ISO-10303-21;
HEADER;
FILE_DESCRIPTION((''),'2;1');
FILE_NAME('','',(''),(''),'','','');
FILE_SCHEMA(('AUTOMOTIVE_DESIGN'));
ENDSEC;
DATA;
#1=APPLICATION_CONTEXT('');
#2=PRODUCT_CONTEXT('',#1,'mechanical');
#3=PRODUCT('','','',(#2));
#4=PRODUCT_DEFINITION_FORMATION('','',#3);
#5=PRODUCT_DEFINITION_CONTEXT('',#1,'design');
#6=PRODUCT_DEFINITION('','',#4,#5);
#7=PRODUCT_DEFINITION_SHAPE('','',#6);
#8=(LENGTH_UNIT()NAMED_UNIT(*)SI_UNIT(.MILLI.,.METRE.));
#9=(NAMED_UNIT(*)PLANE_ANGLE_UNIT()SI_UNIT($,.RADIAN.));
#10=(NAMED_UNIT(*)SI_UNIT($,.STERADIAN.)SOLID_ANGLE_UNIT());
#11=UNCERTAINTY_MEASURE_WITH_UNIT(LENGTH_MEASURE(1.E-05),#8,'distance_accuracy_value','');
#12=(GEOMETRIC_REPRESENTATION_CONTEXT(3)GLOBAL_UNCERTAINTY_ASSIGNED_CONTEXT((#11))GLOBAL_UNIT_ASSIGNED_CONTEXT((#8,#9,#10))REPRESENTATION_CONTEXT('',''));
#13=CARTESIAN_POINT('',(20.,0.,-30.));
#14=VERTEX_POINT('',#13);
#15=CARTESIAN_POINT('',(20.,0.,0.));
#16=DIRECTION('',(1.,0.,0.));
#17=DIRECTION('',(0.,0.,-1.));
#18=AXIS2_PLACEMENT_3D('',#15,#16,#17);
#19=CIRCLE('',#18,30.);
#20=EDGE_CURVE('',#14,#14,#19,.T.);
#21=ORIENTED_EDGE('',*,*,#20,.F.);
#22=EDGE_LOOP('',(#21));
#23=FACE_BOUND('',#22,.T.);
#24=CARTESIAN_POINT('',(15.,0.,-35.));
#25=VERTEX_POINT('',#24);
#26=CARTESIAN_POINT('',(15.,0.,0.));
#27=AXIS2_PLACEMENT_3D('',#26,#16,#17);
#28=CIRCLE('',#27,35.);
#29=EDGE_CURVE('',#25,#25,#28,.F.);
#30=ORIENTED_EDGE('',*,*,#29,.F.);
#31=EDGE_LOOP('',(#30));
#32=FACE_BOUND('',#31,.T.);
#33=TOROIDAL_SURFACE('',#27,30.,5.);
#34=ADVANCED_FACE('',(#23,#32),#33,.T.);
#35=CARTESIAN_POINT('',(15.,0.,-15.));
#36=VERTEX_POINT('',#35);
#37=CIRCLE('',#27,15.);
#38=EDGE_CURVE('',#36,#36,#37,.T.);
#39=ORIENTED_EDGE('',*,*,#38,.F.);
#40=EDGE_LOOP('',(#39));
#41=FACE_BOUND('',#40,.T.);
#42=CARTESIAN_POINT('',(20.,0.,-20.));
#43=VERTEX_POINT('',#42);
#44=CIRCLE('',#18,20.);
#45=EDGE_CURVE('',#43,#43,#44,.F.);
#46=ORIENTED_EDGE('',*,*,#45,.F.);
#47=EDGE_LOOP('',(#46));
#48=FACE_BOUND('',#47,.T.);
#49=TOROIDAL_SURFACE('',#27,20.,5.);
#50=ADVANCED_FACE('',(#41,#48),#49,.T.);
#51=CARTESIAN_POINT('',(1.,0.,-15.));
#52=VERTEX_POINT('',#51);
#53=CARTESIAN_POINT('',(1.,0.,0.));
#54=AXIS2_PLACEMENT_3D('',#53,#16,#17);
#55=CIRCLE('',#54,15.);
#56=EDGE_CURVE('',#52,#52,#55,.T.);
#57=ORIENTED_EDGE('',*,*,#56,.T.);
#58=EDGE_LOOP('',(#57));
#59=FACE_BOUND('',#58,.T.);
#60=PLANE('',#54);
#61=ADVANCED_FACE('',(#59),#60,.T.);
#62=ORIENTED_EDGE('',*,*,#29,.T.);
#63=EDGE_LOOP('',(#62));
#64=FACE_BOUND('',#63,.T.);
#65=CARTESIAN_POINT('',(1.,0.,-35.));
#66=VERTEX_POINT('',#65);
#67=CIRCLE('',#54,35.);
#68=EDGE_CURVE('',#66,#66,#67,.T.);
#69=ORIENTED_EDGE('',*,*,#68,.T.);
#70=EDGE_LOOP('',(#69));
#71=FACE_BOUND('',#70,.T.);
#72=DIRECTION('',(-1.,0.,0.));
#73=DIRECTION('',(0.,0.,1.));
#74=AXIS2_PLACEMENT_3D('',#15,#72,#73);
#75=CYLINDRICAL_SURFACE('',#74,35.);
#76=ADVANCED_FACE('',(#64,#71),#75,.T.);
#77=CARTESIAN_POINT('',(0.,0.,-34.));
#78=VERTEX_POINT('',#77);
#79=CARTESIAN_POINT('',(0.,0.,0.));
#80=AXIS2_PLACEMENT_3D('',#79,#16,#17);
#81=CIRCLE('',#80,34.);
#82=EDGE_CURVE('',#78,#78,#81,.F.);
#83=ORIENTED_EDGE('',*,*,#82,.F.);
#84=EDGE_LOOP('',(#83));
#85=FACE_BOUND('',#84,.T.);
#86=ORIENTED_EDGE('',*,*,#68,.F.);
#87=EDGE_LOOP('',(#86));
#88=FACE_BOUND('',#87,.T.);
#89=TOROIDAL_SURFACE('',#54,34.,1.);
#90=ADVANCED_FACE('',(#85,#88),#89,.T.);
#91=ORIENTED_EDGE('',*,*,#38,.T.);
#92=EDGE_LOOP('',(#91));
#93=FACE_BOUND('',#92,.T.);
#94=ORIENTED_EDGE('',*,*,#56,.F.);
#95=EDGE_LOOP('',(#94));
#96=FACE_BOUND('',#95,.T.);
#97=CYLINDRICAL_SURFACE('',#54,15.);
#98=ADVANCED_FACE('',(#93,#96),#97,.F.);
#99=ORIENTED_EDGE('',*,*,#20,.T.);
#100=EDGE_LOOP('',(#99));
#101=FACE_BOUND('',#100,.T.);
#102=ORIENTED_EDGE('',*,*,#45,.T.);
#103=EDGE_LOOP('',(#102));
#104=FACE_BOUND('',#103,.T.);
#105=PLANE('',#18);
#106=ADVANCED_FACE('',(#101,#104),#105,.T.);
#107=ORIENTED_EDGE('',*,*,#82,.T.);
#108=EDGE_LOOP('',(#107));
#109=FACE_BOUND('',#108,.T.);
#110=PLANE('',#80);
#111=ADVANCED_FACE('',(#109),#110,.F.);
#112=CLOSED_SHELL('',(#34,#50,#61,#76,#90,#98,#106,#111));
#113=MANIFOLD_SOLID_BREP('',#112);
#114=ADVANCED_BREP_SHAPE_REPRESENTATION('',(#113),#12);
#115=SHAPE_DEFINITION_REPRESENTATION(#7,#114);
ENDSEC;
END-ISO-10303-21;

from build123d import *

# Parameters (mm, degrees)
SKETCH1_R           = 35
BOSS_EXTRUDE1_DEPTH = 20
SKETCH2_R           = 15
CUT_EXTRUDE1_DEPTH  = 19
FILLET1_R           = 5
FILLET2_R           = 1


with BuildPart() as part:
    # Sketch1 → Boss-Extrude1 (new body)
    with BuildSketch(Plane(origin=(0, 0, 0), x_dir=(0, 0, -1), z_dir=(1, 0, 0))):
        Circle(SKETCH1_R)
    extrude(amount=BOSS_EXTRUDE1_DEPTH)

    # Sketch2 → Cut-Extrude1 (cut)
    with BuildSketch(Plane(origin=(20, 0, 0), x_dir=(0, 0, -1), z_dir=(1, 0, 0))):
        Circle(SKETCH2_R)
    extrude(amount=-CUT_EXTRUDE1_DEPTH, mode=Mode.SUBTRACT)

    # Fillet1
    fillet1_edges = [part.edges().sort_by_distance(p)[0] for p in [
        (20, 0, 35),
        (20, 0, 15),
    ]]
    fillet(fillet1_edges, radius=FILLET1_R)

    # Fillet2
    fillet2_edges = [part.edges().sort_by_distance(p)[0] for p in [
        (0, 0, 35),
    ]]
    fillet(fillet2_edges, radius=FILLET2_R)


solid = part.part
